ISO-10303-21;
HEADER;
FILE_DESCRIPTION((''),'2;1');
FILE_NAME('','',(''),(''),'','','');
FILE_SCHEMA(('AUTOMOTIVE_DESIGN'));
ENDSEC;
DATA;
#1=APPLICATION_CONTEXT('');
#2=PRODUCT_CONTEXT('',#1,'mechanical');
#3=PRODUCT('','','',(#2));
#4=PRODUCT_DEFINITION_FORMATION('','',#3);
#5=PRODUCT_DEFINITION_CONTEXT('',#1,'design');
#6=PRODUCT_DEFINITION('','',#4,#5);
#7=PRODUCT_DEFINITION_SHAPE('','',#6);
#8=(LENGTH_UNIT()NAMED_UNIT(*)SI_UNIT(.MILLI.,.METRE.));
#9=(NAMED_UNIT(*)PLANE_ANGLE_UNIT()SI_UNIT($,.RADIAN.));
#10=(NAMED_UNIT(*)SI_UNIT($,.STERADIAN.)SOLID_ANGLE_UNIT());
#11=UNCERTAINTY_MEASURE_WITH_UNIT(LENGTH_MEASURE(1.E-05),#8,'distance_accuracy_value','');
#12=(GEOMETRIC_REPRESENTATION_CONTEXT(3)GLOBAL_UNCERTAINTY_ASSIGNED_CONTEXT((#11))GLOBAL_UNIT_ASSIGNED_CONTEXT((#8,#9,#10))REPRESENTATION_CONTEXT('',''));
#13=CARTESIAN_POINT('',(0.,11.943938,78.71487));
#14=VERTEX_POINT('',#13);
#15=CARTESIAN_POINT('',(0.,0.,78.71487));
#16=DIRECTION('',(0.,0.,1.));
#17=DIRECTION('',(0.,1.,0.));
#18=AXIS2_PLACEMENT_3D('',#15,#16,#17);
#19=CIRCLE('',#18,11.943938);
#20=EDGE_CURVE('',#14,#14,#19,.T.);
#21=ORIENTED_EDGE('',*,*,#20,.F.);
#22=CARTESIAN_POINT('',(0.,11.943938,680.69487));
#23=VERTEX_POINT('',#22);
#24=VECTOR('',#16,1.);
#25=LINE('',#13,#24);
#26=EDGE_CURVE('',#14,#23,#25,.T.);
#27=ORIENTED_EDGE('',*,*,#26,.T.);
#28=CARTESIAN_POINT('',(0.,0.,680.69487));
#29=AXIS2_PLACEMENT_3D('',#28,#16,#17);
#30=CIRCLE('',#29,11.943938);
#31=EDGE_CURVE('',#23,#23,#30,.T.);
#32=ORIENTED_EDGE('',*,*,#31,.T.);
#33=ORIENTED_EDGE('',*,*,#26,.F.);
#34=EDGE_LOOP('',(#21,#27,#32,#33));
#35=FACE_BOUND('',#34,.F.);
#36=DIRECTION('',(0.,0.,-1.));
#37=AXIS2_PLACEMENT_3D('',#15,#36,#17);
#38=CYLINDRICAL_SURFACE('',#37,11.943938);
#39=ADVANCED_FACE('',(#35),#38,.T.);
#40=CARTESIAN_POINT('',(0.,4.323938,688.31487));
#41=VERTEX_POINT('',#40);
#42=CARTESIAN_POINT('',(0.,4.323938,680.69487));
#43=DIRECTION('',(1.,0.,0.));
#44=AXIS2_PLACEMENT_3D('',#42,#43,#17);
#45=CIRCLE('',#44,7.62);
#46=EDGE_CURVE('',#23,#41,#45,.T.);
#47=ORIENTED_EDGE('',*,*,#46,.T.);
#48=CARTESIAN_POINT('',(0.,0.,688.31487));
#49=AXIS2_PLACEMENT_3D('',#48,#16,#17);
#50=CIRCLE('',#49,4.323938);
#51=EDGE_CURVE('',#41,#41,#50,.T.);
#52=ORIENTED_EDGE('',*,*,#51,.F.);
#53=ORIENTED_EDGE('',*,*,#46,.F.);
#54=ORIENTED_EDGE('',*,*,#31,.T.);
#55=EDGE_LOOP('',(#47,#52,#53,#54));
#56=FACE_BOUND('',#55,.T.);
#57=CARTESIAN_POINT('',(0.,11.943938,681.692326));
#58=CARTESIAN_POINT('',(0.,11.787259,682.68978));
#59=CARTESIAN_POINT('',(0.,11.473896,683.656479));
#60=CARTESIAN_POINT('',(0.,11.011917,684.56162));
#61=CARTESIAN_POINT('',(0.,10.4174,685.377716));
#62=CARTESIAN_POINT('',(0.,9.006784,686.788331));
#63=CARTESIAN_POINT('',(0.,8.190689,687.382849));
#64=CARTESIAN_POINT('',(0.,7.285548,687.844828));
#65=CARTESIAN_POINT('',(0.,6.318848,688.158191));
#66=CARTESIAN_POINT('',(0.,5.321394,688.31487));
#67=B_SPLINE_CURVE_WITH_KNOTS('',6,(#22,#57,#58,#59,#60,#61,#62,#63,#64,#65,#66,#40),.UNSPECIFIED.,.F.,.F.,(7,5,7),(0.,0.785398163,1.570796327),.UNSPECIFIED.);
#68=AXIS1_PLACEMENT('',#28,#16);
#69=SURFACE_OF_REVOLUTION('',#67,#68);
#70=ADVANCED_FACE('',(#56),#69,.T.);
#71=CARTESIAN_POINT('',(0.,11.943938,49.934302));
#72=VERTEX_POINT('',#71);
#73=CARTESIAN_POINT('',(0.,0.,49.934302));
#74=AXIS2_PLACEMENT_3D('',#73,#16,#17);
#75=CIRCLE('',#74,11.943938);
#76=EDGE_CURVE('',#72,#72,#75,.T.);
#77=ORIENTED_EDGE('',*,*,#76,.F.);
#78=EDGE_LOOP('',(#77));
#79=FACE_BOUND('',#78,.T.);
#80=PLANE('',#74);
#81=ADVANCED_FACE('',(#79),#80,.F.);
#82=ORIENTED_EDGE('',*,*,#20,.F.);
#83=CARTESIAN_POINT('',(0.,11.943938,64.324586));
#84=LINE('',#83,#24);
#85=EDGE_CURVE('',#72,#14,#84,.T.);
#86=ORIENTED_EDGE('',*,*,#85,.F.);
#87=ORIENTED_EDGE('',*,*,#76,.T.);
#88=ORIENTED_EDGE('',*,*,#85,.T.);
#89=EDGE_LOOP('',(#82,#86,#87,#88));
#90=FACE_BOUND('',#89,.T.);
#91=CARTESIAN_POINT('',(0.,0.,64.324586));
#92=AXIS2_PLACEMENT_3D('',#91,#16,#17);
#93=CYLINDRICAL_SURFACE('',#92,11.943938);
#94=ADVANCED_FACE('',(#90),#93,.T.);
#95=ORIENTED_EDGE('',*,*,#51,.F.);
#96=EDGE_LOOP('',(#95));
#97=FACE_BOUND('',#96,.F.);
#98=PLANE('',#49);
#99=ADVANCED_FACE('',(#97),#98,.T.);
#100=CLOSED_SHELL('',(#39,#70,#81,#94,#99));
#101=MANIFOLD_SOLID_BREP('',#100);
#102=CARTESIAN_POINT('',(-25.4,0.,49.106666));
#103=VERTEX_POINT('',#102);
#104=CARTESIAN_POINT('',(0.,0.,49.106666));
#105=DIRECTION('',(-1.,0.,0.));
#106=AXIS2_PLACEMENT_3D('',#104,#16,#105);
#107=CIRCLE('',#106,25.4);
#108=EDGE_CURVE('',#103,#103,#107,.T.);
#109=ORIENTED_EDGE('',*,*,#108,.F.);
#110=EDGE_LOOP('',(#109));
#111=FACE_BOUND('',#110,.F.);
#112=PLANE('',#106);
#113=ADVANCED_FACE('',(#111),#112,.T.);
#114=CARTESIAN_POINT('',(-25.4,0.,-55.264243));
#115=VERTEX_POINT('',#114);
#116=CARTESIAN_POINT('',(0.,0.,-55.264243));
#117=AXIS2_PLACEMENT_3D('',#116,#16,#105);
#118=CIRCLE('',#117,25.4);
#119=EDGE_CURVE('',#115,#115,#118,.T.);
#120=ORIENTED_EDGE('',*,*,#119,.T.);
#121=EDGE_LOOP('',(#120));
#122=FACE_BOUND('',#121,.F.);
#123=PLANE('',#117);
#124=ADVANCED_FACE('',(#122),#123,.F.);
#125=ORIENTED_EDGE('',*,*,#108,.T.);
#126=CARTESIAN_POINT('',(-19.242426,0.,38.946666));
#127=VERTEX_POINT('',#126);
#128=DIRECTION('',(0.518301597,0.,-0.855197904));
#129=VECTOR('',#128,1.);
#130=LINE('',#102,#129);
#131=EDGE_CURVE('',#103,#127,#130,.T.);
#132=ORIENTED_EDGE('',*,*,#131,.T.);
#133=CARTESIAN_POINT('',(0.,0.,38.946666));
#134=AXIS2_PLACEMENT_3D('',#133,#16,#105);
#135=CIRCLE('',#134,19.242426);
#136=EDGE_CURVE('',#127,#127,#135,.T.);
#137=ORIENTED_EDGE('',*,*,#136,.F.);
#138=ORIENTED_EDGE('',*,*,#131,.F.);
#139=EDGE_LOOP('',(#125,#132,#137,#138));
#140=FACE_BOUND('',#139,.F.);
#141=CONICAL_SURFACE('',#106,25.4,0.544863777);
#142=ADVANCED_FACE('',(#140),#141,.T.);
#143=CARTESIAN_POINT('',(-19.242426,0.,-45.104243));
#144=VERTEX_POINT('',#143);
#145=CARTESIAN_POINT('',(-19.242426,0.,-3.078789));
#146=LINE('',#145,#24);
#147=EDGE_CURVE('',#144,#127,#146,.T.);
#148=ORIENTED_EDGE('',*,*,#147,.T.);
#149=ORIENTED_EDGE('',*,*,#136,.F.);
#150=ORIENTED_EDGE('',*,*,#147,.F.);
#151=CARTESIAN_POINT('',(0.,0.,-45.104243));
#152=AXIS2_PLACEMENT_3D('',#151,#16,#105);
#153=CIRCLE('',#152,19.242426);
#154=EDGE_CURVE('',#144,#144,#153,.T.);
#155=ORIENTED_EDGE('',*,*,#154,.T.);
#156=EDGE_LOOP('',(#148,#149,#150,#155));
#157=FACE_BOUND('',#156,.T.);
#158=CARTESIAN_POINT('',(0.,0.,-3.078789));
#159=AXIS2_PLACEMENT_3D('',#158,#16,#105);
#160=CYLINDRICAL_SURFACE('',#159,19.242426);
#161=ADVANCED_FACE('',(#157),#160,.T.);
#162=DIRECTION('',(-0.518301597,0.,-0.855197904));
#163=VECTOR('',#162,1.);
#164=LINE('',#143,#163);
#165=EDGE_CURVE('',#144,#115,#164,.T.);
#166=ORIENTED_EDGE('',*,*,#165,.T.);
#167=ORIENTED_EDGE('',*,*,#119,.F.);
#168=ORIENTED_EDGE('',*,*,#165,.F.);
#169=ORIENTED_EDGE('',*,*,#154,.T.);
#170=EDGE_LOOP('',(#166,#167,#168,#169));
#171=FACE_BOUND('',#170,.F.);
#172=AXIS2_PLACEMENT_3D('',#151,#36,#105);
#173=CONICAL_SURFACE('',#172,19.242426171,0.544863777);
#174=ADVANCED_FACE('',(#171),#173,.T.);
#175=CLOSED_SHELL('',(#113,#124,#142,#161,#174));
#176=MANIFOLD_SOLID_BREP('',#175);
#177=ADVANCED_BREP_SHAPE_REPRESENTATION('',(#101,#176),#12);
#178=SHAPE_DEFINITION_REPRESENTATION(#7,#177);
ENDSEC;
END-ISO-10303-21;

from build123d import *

# Parameters (mm, degrees)
F0_W     = 19.2424261712
F0_H     = 84.0509093954
F2_W     = 11.9439382106
F2_H     = 28.7805683911
F4_DEPTH = 609.6
F5_R     = 7.62


with BuildPart() as f1:
    # F0 (on Front) → F1 (revolve)
    with BuildSketch(Plane.XZ):
        Polygon((-19.2424261712, 38.9466661084), (0, 38.9466661084), (0, 49.1066661084), (-25.4, 49.1066661084), align=None)
        Polygon((0, -55.2642432871), (0, -45.1042432871), (-19.2424261712, -45.1042432871), (-25.4, -55.2642432871), align=None)
        with Locations((-9.6212130856, -3.0787885894)):
            Rectangle(F0_W, F0_H)
    revolve(axis=Axis((0, 0, -50.1842432871), (0, 0, 1)))


with BuildPart() as f3:
    # F2 (on Right) → F3 (revolve)
    with BuildSketch(Plane.YZ):
        with Locations((5.9719691053, 64.3245857209)):
            Rectangle(F2_W, F2_H)
    revolve(axis=Axis((0, 0, 64.3245857209), (0, 0, 1)))

    # F4 (add): a face of the model
    f4_faces = [f3.faces().sort_by_distance(p)[0] for p in [
        (0, 0, 78.7148699164),
    ]]
    extrude(f4_faces, amount=F4_DEPTH)

    # F5
    f5_edges = [f3.edges().sort_by_distance(p)[0] for p in [
        (0, -11.943938, 688.31487),
    ]]
    fillet(f5_edges, radius=F5_R)


solid = Compound([f1.part, f3.part])
